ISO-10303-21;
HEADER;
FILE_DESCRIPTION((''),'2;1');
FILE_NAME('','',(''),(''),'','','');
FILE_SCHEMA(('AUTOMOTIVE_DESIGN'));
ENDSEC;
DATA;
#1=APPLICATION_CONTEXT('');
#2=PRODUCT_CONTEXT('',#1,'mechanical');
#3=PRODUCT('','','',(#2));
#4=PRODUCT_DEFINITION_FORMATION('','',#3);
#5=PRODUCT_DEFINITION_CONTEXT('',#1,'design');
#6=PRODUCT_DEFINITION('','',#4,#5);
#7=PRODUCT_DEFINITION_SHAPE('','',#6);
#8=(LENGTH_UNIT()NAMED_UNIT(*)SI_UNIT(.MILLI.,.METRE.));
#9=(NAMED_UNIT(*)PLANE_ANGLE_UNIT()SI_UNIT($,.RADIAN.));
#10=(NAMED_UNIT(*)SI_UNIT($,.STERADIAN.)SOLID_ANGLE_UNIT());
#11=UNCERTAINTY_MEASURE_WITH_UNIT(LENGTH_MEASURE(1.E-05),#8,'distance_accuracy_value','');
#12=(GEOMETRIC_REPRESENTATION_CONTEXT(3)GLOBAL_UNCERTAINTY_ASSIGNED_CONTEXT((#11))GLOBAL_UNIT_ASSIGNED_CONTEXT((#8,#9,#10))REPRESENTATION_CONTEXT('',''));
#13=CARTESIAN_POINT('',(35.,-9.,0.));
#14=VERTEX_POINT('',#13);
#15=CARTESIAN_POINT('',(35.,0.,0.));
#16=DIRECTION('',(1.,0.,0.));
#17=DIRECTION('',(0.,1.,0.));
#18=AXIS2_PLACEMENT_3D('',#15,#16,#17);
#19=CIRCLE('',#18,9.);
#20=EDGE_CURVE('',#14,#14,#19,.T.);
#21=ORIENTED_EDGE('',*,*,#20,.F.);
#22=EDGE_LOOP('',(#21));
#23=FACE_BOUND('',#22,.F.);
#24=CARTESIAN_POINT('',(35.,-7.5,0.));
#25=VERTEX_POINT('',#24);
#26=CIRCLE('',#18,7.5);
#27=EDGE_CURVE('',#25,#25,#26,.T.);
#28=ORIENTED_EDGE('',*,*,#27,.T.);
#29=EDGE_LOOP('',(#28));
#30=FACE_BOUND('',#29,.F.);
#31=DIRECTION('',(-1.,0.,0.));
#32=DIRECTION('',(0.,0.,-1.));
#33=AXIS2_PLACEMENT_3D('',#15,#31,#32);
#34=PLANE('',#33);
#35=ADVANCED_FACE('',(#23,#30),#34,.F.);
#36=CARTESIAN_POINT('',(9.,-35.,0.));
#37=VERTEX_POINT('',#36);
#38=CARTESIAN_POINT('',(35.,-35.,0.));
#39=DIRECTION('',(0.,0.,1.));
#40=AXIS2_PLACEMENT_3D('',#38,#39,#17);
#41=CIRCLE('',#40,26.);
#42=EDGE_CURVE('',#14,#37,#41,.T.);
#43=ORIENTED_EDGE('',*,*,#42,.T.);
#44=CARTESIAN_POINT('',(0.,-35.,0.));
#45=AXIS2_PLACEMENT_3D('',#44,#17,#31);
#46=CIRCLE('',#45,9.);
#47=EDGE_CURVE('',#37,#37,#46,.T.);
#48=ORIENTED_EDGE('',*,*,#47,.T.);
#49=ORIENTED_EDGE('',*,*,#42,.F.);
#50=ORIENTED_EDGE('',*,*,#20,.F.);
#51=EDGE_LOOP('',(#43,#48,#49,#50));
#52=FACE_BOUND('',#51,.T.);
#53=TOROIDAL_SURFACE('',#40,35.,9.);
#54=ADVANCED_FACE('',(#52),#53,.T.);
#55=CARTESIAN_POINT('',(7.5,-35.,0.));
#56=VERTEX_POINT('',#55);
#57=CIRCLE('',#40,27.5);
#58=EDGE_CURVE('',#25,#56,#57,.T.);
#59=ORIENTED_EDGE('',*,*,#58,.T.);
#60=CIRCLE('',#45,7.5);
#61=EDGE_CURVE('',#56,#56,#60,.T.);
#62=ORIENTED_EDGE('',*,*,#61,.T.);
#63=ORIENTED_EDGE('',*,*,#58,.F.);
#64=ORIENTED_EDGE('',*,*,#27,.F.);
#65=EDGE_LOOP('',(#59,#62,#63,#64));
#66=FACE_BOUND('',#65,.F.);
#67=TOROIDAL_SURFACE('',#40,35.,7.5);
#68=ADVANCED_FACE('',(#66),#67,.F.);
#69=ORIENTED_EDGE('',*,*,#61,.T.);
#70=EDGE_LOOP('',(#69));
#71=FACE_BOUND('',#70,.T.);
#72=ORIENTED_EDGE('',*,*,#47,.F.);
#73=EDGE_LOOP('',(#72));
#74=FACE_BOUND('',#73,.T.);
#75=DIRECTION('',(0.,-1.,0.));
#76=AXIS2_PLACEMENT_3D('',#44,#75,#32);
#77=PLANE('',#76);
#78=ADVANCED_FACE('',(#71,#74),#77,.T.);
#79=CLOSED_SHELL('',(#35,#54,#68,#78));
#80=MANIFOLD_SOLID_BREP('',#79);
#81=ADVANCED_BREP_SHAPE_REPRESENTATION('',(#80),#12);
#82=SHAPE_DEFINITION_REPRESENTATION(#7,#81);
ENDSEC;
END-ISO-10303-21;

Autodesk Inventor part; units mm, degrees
ref_plane "YZ Plane" through (0, 0, 0) normal (1, 0, 0) x (0, 1, 0)
ref_plane "XZ Plane" through (0, 0, 0) normal (0, 1, 0) x (-1, 0, 0)
sketch "Szkic6" plane through (0, 0, 0) normal (0, 0, 1) x (1, 0, 0)
  line L0 (-29.6067, 0) -> (35.2678, 0) construction
  line L1 (0, 42.3419) -> (0, -58.3726) construction
  arc A0 (35, 0) -> (0, -35) centre (35, -35) ccw
  line L2 (0, -35) -> (35, -35) construction
  line L3 (35, -35) -> (35, 30.5331) construction
  line L4 (35, 0) -> (35, 0)
  line L5 (0, -35) -> (0, -35)
  point P0 (0, 0)
  dimension "d24" = 35
  dimension "d31" = 90
  dimension "d36" = 0
  dimension "d37" = 0
ref_plane "Płaszczyzna konstrukcyjna2" through (0, -35, 0) normal (0, -1, 0) x (1, 0, 0)
sketch "Szkic8" plane through (0, -35, 0) normal (0, -1, 0) x (1, 0, 0)
  circle A0 centre (0, 0) radius 9
  circle A1 centre (0, 0) radius 7.5
  dimension "d32" = 18
  dimension "d33" = 1.5
sweep "Przeciągnięcie2" add profiles "Szkic8" path "Szkic6"
equation "\"d32\" = OD"
equation "\"d33\" = THK"
equation "\"d24\" = R"
equation "\"d31\" = KAT"
equation "\"SzerokośćGięciaPodcięcia\" = Grubość"
equation "\"RozmiarPodcięciaNarożnika\" = 4 * Grubość"
equation "\"PromieńPrzejścia\" = PromieńGięcia"
equation "\"Rozmiar_promienia_Jacobiego\" = PromieńGięcia"
equation "\"Wielk_odstępu\" = Grubość"
equation "\"d2\" = PromieńGięcia"
equation "\"d23\" = PromieńGięcia"
equation "\"R\" = 35"
equation "\"OD\" = 18"
equation "\"THK\" = 1.5"
equation "\"KAT\" = 90deg"
equation "\"PROSTKA\" = 0"
equation "\"Grubość\" = 1.5"
equation "\"PromieńGięcia\" = 3"
properties part number "Kolano 90° ø18x1,5 R35" material "304L"
